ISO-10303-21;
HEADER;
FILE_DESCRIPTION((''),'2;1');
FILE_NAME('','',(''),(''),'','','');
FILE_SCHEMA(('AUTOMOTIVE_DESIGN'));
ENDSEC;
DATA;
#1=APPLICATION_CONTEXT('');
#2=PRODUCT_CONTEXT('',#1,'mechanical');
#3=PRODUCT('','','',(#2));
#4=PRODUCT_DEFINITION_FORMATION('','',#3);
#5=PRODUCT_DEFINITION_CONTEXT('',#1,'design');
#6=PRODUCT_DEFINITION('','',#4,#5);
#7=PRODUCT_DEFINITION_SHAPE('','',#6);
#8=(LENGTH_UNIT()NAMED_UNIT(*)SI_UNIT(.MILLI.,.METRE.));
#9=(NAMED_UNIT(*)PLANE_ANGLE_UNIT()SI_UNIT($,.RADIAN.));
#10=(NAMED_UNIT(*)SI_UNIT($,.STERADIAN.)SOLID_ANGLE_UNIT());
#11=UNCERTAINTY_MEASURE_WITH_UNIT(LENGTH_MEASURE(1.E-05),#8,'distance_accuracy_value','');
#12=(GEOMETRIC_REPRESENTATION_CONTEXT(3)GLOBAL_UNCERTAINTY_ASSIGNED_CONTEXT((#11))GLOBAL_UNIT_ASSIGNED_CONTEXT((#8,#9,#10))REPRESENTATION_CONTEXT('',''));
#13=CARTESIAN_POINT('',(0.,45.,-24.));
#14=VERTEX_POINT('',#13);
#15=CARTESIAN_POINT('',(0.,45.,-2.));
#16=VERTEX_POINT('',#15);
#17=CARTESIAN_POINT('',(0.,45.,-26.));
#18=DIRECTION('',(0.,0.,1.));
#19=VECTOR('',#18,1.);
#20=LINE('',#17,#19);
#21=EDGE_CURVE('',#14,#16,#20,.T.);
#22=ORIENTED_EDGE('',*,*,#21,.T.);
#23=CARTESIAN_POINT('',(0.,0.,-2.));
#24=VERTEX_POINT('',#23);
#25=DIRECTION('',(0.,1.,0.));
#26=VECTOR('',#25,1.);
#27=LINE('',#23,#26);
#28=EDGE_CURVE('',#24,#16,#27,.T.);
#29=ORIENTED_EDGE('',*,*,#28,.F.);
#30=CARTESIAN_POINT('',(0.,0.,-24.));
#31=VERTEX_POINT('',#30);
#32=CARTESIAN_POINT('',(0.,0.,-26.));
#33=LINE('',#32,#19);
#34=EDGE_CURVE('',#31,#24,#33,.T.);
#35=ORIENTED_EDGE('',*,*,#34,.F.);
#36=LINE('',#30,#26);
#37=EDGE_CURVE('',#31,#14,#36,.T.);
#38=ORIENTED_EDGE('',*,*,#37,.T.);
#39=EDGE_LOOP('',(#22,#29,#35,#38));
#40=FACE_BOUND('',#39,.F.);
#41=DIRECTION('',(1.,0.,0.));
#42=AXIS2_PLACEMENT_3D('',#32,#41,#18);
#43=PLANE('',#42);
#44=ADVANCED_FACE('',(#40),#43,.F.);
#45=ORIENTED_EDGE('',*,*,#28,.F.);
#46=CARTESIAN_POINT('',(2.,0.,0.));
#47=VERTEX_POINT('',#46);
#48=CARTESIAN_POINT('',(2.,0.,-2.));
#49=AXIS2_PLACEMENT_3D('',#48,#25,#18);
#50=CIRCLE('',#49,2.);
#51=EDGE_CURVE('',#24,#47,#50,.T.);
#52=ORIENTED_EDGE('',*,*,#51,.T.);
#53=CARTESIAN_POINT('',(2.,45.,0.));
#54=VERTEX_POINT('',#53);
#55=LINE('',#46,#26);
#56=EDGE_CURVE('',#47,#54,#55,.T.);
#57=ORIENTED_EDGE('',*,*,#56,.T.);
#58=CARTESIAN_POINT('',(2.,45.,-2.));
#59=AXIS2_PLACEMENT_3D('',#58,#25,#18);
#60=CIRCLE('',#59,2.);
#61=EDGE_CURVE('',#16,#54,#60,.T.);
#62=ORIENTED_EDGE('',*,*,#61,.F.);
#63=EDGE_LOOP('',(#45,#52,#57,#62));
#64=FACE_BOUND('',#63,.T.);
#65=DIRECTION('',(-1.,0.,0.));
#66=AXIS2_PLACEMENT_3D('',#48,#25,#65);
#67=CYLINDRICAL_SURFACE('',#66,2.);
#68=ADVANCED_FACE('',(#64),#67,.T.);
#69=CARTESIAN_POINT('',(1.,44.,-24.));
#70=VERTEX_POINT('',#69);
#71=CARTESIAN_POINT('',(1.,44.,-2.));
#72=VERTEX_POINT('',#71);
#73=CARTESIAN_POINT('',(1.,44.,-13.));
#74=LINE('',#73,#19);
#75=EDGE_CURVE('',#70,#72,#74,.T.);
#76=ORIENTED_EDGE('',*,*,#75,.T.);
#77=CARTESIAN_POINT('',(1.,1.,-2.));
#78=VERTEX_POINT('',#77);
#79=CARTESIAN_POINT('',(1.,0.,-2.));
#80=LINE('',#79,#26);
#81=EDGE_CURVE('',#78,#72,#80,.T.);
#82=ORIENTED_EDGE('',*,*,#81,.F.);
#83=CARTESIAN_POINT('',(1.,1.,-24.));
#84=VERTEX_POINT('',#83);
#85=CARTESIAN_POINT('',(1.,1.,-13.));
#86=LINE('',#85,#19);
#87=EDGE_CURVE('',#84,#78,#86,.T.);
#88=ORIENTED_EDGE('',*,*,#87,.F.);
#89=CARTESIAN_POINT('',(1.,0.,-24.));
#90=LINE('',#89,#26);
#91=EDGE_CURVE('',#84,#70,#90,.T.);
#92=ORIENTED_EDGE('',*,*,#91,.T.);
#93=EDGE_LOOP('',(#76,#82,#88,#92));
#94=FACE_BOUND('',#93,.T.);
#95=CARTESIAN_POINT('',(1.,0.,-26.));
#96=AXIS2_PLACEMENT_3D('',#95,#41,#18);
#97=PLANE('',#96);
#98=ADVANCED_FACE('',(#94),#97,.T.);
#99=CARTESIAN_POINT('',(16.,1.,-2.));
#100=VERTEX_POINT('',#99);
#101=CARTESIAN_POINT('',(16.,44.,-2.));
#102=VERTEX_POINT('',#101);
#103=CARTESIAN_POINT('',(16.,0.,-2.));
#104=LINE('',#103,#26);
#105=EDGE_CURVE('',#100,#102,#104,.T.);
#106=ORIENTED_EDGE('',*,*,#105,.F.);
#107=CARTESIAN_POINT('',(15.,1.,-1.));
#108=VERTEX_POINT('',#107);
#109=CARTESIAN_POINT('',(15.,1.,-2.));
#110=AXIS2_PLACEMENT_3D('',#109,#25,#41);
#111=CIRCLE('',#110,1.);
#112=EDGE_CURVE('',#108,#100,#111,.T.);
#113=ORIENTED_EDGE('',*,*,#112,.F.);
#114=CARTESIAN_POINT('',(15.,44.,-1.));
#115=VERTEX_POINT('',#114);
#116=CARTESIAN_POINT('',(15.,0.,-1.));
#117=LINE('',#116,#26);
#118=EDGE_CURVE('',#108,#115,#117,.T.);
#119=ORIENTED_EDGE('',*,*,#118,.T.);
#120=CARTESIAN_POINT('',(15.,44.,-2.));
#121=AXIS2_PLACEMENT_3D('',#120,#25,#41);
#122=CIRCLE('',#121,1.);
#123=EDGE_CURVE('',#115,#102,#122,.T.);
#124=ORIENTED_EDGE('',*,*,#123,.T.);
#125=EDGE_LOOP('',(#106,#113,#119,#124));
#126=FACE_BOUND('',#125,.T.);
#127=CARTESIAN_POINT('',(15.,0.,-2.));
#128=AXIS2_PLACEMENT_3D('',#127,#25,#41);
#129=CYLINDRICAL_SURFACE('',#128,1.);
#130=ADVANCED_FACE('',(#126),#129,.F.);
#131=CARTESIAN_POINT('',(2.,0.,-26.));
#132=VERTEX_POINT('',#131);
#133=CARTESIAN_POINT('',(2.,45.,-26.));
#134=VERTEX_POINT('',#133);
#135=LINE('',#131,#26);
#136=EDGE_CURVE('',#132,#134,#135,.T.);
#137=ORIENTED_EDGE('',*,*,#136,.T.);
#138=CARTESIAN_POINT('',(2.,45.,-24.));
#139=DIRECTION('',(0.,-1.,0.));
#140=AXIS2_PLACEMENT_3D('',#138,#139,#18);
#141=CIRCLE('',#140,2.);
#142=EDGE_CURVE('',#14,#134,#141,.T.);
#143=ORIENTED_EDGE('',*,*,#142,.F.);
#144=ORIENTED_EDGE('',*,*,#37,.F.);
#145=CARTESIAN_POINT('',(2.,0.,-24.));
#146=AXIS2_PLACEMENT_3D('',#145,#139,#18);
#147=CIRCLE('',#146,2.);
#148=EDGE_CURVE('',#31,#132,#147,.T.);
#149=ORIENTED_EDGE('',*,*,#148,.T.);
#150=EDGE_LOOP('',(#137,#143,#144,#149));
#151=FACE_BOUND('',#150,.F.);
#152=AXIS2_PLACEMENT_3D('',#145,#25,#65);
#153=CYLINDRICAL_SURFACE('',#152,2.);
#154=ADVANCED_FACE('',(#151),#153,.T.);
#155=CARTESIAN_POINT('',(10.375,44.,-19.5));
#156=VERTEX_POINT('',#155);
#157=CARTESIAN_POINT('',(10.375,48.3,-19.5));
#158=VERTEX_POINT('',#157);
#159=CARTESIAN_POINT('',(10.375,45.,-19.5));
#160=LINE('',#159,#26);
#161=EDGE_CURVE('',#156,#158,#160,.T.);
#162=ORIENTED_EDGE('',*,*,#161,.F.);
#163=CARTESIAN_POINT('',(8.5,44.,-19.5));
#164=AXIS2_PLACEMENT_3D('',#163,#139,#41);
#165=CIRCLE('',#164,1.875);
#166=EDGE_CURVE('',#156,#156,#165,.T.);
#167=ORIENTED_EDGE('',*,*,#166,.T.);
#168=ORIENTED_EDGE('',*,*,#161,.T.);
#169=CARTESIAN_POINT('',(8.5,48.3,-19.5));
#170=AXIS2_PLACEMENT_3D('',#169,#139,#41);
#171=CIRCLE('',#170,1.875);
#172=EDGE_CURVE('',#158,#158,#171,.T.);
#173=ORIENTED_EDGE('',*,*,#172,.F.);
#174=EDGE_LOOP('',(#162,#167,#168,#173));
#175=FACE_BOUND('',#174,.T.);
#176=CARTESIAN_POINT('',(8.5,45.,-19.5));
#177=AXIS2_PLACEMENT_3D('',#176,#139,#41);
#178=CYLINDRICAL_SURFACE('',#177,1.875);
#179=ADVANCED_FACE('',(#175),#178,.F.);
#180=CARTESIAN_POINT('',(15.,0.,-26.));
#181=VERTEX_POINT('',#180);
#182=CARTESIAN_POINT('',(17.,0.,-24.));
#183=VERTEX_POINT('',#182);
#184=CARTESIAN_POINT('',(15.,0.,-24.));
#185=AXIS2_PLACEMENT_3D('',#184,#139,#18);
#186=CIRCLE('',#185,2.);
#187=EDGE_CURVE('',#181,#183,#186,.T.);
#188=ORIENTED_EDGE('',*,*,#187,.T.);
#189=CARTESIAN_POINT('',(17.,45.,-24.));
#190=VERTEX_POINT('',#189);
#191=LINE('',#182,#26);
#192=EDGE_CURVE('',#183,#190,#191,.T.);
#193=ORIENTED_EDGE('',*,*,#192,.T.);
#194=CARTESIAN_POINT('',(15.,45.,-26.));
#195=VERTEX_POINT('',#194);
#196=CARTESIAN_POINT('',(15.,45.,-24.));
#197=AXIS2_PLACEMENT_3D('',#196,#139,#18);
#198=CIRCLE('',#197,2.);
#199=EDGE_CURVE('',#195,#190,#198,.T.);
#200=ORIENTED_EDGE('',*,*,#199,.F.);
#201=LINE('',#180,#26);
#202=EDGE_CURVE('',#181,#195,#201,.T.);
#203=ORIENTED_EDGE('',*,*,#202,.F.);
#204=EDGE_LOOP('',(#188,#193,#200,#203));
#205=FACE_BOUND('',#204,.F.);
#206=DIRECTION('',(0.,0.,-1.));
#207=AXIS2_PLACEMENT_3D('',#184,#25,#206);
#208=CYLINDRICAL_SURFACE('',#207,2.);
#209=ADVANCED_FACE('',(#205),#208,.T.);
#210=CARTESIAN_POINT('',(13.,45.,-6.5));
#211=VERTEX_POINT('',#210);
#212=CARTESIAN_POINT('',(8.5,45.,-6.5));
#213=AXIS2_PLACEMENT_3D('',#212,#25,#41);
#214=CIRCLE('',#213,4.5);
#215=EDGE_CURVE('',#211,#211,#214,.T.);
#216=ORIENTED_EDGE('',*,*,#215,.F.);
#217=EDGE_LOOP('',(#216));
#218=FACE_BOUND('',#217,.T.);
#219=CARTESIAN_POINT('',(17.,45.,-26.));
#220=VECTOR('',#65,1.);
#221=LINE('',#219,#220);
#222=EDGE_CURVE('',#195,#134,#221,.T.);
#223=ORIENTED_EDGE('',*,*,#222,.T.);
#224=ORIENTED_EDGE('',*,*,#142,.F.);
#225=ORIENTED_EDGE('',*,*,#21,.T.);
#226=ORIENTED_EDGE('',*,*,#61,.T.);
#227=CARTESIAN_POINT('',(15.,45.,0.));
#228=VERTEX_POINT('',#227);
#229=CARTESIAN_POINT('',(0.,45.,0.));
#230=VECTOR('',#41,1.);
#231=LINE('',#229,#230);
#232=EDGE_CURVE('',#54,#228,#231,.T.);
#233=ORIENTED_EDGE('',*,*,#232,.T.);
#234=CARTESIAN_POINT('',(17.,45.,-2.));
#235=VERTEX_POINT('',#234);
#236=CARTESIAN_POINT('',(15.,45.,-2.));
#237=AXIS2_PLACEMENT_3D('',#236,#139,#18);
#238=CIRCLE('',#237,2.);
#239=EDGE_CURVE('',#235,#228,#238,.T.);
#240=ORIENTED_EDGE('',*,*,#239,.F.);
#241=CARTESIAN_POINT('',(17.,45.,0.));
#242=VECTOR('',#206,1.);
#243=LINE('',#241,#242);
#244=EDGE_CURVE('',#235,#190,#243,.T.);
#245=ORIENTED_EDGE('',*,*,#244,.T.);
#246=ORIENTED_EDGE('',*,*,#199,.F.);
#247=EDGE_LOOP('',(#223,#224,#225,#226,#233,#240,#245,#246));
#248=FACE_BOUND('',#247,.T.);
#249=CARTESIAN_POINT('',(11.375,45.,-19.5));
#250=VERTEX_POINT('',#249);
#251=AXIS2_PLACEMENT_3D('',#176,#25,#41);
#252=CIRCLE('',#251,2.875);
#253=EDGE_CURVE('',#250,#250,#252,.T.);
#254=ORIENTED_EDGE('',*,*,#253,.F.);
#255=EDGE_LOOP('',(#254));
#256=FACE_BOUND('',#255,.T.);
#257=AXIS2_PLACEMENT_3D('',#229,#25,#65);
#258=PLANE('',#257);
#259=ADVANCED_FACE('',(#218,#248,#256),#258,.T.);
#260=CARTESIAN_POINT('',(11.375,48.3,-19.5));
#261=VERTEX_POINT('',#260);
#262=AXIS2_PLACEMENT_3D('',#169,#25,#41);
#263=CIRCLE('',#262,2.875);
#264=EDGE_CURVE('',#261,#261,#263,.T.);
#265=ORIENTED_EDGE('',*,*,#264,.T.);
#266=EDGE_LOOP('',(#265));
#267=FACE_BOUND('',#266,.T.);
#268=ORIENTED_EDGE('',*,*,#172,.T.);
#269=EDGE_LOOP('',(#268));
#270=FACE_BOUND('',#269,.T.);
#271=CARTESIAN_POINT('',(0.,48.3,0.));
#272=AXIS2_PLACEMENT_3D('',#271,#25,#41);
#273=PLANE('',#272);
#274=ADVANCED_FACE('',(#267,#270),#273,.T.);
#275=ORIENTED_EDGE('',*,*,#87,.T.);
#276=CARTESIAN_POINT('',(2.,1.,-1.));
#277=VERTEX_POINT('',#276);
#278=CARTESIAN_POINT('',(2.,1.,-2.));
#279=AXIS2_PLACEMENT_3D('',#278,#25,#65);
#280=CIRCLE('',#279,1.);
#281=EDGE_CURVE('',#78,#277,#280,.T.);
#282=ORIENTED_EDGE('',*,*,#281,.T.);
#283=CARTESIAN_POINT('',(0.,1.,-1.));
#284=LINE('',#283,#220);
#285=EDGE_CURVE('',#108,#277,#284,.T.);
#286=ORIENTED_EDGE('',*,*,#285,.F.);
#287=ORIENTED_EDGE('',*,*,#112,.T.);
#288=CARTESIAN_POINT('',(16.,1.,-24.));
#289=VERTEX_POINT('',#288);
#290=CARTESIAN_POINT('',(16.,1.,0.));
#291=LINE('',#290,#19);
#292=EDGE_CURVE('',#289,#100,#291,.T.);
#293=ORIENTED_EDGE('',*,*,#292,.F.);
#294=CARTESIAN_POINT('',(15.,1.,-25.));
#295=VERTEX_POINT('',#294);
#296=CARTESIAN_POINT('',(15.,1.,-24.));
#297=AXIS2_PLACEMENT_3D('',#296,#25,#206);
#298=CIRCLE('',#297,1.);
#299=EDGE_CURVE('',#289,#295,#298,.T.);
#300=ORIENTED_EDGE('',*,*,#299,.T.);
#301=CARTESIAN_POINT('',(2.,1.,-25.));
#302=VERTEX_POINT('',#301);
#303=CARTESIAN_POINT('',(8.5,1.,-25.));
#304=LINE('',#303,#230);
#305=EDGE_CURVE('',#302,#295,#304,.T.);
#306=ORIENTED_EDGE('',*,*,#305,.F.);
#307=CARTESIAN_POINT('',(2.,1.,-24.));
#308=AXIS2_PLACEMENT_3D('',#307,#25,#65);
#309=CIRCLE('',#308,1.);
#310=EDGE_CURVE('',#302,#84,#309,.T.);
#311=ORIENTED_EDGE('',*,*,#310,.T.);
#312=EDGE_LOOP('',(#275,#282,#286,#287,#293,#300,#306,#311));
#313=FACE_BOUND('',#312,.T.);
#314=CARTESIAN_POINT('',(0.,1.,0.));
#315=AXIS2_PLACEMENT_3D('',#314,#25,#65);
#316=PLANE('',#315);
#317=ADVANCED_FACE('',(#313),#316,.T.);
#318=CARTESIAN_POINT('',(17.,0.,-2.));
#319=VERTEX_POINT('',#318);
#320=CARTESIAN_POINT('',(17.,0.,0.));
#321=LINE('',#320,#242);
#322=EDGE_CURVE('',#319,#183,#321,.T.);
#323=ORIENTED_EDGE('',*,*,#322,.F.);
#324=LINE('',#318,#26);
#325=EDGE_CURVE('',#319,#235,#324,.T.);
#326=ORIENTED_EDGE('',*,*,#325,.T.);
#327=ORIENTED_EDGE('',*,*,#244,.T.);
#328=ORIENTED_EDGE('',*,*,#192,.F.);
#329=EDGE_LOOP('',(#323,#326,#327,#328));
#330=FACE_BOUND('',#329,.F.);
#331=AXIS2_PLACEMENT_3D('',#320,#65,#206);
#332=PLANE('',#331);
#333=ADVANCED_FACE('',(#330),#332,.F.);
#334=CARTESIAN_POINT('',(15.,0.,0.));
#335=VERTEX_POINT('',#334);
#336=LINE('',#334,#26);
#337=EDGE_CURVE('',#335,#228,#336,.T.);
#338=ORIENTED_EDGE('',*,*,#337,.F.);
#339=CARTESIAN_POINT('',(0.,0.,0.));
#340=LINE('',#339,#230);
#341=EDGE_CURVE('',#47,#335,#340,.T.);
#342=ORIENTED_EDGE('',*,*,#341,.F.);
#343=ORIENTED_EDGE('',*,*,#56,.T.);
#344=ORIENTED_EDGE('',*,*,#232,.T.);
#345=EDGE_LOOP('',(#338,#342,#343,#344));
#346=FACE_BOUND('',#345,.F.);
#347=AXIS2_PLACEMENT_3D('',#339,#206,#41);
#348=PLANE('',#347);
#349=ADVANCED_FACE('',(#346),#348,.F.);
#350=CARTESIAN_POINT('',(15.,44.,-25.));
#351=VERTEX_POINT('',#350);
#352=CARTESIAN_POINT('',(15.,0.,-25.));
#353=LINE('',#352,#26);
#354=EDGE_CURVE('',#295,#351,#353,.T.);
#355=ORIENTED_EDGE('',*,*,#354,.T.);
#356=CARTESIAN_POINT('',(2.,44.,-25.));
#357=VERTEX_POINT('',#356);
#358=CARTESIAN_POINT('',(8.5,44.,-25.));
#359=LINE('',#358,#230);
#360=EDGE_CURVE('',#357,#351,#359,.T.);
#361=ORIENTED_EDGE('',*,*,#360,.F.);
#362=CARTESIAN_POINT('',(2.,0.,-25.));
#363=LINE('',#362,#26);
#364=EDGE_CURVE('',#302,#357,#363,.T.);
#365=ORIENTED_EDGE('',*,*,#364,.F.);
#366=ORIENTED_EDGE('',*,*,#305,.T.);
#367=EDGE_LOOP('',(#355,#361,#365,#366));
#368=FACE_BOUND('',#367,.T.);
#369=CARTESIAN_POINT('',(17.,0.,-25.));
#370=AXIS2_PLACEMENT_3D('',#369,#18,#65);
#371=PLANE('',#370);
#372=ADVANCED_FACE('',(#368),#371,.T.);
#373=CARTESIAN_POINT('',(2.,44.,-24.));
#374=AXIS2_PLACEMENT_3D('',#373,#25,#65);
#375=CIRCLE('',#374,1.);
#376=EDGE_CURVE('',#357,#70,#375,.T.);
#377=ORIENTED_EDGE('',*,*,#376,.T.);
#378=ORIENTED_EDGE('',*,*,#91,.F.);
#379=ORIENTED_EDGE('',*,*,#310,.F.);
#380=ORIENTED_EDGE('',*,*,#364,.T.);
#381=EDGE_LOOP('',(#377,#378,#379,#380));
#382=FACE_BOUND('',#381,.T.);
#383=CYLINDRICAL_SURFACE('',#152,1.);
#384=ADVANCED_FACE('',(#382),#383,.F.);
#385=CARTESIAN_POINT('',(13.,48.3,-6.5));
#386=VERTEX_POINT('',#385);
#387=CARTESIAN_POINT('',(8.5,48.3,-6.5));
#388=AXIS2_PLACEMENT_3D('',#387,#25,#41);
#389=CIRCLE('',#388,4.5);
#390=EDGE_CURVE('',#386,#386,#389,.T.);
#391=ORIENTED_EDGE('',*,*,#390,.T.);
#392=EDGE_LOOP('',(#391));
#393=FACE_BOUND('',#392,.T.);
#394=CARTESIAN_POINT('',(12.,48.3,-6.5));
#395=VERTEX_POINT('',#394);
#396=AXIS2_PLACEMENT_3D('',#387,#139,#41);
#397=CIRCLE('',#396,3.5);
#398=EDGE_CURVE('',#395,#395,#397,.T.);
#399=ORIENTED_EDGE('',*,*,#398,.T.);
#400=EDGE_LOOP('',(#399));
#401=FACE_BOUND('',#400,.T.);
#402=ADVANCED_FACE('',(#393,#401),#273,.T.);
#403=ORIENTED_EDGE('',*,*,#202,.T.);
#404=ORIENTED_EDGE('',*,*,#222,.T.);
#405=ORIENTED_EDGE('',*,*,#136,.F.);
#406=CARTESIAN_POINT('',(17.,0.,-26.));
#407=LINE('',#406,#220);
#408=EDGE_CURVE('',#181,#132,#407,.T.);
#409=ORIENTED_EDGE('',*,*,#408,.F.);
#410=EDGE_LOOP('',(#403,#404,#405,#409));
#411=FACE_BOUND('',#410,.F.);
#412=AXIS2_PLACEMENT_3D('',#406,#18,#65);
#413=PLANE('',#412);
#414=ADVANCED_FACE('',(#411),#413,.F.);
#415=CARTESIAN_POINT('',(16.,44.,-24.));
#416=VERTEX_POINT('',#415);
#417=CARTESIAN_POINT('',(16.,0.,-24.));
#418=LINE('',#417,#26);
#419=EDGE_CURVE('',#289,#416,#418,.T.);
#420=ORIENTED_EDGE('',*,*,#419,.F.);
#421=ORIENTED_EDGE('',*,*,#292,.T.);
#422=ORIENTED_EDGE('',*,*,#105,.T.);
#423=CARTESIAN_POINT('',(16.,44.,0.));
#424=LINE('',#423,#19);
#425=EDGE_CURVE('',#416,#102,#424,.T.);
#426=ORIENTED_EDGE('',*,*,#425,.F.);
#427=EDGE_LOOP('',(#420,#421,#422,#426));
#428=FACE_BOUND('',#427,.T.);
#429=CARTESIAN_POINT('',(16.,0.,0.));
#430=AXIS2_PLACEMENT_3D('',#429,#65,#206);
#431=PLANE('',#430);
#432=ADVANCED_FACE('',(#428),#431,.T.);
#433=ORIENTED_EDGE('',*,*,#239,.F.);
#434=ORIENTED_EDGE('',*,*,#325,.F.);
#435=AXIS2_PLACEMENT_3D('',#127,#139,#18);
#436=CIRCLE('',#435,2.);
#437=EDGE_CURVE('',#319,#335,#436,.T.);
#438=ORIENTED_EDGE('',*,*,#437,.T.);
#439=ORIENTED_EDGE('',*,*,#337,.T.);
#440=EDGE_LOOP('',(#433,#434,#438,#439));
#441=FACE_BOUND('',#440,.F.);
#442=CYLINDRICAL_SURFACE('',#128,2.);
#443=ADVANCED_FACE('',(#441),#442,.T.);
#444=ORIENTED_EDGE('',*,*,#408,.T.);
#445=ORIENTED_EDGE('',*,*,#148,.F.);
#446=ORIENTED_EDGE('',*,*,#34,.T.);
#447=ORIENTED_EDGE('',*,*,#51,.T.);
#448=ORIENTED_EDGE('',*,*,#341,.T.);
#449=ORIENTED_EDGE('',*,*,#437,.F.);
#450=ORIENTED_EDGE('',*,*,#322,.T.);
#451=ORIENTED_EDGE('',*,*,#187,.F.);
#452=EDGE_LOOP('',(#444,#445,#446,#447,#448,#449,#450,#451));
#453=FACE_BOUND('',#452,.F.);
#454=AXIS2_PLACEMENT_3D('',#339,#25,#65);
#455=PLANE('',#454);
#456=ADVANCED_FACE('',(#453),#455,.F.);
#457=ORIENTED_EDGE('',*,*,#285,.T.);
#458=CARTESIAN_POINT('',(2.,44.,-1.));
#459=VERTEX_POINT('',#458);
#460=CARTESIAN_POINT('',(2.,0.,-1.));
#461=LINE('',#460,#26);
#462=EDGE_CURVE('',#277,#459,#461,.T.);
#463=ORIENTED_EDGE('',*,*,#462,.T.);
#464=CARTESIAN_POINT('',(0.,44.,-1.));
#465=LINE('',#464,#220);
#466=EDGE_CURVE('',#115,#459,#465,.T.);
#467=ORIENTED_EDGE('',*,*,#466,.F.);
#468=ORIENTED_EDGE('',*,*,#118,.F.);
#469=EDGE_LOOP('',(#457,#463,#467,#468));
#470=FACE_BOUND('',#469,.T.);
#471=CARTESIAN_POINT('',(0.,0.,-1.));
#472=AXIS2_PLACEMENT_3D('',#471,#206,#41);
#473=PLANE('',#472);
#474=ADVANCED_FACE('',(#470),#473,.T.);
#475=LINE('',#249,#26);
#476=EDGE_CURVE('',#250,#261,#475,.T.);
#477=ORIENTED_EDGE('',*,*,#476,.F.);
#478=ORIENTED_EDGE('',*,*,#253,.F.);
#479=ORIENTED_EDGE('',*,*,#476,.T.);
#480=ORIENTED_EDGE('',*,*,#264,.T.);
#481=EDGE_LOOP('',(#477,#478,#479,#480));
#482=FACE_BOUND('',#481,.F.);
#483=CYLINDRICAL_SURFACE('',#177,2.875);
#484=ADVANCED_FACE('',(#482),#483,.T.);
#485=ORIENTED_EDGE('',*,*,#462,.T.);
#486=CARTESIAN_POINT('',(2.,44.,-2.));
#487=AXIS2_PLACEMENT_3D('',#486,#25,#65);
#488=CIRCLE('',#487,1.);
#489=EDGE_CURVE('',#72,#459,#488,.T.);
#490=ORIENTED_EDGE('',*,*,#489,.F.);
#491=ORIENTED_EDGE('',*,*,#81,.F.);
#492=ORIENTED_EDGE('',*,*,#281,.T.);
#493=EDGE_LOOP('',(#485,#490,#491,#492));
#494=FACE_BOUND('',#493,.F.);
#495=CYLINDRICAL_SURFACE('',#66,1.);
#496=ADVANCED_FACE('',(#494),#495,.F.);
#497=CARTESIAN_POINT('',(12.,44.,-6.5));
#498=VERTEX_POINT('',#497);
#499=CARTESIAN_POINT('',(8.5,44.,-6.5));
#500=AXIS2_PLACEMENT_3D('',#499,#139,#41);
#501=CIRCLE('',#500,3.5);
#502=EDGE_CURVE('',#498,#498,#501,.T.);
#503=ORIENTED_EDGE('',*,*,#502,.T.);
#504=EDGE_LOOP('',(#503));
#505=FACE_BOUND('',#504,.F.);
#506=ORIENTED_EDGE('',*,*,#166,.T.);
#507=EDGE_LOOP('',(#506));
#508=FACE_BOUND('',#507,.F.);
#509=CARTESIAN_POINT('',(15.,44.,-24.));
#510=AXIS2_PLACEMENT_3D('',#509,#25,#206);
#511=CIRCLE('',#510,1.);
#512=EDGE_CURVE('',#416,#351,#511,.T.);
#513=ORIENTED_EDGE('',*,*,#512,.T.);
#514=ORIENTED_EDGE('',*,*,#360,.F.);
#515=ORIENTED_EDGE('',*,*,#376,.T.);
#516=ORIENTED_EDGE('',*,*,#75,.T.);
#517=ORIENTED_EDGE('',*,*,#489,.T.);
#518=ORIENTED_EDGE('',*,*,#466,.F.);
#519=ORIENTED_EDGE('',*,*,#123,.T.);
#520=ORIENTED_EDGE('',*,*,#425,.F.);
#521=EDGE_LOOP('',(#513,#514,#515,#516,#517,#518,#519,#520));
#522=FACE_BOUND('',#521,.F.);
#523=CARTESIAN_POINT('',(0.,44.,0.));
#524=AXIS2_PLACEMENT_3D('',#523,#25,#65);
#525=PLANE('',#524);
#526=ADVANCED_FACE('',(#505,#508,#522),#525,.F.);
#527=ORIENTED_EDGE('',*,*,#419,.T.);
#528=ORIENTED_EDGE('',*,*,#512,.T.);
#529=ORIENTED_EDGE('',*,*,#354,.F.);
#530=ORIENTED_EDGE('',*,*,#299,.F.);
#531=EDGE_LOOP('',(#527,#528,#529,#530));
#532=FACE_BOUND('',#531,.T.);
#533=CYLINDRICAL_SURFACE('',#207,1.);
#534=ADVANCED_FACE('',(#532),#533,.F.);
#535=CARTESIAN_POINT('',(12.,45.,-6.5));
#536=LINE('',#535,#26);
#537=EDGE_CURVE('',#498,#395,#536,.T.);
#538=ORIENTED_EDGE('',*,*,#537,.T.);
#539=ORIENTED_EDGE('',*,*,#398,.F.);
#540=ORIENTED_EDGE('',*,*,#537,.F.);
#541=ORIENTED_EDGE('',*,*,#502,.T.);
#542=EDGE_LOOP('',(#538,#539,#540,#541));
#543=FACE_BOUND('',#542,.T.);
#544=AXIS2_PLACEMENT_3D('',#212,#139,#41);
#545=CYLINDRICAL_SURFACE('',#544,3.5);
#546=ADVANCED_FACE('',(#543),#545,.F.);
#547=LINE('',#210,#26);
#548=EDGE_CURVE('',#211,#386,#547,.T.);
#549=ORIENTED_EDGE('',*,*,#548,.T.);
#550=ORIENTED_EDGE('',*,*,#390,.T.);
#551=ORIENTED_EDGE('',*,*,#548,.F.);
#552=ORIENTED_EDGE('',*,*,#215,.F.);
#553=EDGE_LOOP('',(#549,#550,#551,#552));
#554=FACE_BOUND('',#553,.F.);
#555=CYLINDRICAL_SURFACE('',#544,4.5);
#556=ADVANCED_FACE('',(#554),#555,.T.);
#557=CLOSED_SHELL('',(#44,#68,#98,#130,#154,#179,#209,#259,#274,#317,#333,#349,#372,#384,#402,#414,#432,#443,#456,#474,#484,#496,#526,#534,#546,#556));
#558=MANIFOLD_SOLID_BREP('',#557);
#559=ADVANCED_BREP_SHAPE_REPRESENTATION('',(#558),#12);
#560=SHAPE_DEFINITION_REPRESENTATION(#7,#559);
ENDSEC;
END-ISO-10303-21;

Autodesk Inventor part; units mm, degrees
ref_plane "YZ Plane" through (0, 0, 0) normal (1, 0, 0) x (0, 1, 0)
ref_plane "XZ Plane" through (0, 0, 0) normal (0, 1, 0) x (-1, 0, 0)
ref_plane "XY Plane" through (0, 0, 0) normal (0, 0, 1) x (1, 0, 0)
sketch "Sketch1" plane through (0, 0, 0) normal (0, 1, 0) x (-1, 0, 0)
  line L0 (0, 0) -> (-17, 0)
  line L1 (-17, 0) -> (-17, -26)
  line L2 (-17, -26) -> (0, -26)
  line L3 (0, -26) -> (0, 0)
  dimension "d0" = 26
  dimension "d1" = 17
extrude "Extrusion1" add sketch "Sketch1" along normal blind 45
fillet "Fillet1" radius 2 4 edges at (0, 22.5, -26) (0, 22.5, 0) (17, 22.5, -26) (17, 22.5, 0)
sketch "Sketch2" plane through (0, 45, 0) normal (0, 1, 0) x (1, 0, 0)
  circle A0 centre (8.5, 19.5) radius 2.875
  line L0 (15, 26) -> (2, 26) projected
  circle A1 centre (8.5, 6.5) radius 4.5
  line L1 (0, 24) -> (0, 2) projected
  line L2 (2, 0) -> (15, 0) projected
  point P0 (0, 0)
  dimension "d5" = 5.75
  dimension "d6" = 6.5
  dimension "d7" = 9
  dimension "d8" = 8.5
  dimension "d9" = 8.5
  dimension "d10" = 6.5
extrude "Extrusion2" add sketch "Sketch2" along normal blind 3.3
shell "Shell1" thickness 1 removed faces 2 at (7.7246, 48.3, -18.7113) at (10.0336, 48.3, -5.5053)
properties part number "battery model"
